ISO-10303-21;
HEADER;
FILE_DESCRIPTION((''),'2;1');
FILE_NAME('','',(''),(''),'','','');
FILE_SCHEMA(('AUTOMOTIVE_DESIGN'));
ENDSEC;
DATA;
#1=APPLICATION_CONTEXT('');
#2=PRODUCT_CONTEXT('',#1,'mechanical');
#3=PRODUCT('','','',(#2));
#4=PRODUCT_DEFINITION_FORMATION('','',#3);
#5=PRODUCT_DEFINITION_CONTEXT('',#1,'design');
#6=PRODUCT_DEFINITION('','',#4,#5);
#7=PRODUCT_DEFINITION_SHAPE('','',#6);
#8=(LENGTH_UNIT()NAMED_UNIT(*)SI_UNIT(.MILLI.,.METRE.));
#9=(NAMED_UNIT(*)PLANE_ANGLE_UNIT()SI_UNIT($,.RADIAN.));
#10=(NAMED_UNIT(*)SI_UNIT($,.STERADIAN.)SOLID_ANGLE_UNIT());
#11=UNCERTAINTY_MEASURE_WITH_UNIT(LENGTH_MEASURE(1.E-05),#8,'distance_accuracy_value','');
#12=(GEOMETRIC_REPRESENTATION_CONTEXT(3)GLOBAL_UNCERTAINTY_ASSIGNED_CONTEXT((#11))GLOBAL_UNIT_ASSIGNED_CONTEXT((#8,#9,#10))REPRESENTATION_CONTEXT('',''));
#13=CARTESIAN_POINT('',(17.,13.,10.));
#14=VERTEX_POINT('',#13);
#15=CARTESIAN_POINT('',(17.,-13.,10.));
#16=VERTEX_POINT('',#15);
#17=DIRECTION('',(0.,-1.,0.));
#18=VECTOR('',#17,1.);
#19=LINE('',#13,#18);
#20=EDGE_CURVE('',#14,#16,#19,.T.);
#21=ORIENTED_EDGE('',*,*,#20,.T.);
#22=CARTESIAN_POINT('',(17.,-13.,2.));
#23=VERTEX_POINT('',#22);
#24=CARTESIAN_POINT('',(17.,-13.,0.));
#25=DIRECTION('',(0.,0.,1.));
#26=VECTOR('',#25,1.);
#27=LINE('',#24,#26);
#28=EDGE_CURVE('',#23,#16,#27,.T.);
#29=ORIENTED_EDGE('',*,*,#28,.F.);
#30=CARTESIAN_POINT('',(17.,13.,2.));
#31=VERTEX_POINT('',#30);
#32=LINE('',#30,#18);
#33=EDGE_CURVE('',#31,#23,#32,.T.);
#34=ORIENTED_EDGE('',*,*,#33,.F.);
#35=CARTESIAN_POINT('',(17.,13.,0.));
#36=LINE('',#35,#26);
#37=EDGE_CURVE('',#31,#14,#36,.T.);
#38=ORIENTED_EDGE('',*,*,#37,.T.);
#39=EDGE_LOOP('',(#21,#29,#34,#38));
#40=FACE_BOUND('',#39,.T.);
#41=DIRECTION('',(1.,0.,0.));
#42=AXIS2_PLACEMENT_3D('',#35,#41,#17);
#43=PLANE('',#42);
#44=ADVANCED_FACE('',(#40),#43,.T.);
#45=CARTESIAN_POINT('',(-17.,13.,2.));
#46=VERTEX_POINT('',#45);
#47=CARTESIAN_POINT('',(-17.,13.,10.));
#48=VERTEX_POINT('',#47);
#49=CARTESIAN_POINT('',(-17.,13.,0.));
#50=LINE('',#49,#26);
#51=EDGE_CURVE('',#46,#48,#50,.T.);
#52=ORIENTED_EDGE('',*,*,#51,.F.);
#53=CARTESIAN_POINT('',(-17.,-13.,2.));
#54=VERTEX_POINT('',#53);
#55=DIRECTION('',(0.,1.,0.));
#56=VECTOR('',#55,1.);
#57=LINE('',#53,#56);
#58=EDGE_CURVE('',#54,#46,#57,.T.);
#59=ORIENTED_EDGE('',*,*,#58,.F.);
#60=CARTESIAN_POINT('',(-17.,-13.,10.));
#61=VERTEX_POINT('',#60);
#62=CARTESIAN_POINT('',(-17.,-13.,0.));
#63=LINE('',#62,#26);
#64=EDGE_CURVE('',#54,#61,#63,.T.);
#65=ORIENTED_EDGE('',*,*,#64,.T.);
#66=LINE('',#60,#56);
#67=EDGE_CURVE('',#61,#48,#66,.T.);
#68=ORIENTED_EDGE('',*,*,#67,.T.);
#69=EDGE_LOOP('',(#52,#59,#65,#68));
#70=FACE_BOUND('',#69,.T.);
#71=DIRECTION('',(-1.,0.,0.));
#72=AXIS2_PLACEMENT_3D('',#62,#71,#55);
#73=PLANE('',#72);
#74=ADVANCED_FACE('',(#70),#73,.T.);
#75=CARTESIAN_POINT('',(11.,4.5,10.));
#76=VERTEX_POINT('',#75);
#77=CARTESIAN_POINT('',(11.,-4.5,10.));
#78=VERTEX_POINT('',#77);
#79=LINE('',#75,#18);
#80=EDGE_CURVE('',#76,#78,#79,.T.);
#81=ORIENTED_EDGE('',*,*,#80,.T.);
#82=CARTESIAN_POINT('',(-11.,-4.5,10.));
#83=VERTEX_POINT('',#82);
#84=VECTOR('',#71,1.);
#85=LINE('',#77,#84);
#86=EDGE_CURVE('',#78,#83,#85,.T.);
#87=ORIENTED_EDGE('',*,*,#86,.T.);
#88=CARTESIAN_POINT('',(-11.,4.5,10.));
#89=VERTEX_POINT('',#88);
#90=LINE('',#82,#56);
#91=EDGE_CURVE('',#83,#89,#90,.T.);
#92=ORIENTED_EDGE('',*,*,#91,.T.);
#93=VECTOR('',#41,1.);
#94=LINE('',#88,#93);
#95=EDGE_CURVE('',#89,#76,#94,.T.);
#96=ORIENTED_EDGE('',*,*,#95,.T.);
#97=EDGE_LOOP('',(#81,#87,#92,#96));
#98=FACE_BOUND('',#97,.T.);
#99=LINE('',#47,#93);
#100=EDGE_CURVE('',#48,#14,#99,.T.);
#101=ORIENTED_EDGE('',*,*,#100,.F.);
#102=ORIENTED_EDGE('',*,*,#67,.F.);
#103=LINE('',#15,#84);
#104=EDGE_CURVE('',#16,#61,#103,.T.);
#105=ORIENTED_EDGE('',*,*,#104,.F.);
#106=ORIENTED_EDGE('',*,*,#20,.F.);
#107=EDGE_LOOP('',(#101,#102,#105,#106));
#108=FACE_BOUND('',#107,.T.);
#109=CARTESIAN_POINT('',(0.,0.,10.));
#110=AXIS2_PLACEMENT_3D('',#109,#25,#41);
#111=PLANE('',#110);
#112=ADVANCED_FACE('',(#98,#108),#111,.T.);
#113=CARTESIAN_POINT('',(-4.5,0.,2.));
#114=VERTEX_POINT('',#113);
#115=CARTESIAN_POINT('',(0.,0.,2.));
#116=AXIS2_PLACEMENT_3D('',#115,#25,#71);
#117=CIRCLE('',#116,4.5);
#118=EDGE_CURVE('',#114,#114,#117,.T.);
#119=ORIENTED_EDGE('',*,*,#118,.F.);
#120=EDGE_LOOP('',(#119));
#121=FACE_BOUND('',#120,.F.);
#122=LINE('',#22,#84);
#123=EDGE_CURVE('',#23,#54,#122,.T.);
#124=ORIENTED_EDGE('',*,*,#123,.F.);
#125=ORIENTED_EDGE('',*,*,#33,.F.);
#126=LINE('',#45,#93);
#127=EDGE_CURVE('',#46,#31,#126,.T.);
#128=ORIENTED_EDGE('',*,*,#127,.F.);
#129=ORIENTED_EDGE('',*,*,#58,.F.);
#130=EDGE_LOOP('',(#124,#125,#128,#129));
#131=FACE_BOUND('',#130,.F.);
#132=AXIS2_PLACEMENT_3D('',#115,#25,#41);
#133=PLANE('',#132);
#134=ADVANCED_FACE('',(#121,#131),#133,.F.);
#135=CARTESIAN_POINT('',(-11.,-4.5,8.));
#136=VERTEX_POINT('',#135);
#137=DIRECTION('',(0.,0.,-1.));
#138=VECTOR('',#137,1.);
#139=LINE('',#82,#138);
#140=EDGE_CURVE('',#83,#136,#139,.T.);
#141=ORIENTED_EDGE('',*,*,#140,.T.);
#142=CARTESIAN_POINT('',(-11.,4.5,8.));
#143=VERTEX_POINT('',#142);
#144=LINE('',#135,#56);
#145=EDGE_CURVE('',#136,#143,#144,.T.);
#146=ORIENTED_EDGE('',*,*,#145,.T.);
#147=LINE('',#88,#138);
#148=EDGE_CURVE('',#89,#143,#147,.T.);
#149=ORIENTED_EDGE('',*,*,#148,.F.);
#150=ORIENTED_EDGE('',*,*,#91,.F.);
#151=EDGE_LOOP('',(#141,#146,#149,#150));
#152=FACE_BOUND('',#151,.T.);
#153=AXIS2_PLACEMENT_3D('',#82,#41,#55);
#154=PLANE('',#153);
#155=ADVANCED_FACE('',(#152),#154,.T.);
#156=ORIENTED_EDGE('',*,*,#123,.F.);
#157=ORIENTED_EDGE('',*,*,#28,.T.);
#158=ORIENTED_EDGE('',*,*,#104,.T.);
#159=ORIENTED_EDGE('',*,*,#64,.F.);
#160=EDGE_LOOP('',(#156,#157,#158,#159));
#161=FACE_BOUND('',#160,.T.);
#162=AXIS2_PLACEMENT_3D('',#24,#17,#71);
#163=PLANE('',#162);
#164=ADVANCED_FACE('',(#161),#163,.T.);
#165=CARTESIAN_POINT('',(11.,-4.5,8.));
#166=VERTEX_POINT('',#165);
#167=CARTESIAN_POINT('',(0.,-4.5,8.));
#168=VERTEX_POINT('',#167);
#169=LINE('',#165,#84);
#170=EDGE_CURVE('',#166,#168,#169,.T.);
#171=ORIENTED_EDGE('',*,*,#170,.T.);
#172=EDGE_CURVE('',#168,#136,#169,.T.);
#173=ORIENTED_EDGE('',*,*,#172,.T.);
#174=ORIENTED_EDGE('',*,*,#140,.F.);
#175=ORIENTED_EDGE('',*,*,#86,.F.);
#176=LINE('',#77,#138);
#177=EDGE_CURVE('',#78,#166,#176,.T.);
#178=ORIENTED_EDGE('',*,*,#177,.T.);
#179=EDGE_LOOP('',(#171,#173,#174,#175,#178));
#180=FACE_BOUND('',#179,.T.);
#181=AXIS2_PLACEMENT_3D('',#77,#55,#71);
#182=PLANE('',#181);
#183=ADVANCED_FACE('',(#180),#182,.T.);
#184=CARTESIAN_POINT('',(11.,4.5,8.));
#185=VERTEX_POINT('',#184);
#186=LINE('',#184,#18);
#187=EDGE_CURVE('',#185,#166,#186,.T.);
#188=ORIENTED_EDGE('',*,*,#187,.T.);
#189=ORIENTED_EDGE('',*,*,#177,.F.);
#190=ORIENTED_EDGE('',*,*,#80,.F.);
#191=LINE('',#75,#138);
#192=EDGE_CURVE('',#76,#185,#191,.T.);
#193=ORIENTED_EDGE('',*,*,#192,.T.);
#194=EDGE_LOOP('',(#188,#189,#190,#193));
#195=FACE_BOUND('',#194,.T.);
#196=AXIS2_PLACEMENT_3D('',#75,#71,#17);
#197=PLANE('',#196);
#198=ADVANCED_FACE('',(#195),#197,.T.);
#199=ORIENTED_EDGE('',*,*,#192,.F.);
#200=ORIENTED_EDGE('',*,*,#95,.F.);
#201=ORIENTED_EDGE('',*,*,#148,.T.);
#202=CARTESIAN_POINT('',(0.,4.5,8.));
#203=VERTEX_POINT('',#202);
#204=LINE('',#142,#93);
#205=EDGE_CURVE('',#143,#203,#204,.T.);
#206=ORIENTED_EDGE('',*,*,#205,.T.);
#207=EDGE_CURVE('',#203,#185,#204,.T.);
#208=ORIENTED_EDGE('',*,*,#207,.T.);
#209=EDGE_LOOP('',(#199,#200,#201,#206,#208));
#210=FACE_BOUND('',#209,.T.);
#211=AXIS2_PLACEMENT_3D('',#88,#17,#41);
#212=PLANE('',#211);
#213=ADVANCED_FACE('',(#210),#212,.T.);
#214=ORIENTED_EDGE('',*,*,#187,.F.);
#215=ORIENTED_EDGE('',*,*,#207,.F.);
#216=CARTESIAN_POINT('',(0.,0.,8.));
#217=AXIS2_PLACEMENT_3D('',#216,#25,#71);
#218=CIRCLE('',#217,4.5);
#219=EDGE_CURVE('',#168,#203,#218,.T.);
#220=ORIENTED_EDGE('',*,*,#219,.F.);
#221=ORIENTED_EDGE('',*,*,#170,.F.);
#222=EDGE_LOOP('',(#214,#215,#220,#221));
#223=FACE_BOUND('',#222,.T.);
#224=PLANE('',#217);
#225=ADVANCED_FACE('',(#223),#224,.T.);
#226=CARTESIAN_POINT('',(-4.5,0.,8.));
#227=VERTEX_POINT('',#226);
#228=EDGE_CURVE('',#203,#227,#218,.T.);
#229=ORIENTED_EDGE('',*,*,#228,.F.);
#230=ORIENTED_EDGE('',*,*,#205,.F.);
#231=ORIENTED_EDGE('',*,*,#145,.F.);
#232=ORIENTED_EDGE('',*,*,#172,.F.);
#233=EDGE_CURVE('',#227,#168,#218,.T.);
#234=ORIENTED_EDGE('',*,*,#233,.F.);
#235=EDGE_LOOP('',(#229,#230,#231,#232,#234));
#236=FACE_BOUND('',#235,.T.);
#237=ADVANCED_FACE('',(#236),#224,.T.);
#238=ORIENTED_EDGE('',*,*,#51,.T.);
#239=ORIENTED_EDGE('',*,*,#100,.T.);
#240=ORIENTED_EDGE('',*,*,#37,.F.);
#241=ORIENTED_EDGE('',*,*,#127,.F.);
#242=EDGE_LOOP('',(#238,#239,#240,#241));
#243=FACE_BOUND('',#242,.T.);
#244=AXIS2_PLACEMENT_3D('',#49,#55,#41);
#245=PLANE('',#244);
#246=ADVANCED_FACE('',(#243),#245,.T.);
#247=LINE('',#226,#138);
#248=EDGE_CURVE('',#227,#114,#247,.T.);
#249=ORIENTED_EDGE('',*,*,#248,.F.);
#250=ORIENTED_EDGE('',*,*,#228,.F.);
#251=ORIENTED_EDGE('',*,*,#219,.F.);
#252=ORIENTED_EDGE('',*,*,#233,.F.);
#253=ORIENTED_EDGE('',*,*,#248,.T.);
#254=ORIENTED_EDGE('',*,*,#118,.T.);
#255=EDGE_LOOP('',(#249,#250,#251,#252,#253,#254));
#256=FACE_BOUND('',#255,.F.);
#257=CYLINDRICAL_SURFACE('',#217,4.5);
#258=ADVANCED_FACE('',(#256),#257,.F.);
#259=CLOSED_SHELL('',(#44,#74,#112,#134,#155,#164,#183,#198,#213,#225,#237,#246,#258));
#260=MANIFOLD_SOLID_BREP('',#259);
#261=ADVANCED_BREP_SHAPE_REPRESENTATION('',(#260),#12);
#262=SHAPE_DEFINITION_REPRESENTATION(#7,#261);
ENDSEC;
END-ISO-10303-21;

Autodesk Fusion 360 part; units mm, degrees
sketch "Sketch1" plane through (0, 0, 0) normal (0, 0, 1) x (1, 0, 0)
  circle A0 centre (0, 0) radius 4.5 construction
  line L0 (-11, 4.5) -> (11, 4.5) construction
  line L1 (11, 4.5) -> (11, -4.5) construction
  line L2 (11, -4.5) -> (-11, -4.5) construction
  line L3 (-11, -4.5) -> (-11, 4.5) construction
  line L4 (-17, 13) -> (17, 13)
  line L5 (17, 13) -> (17, -13)
  line L6 (17, -13) -> (-17, -13)
  line L7 (-17, -13) -> (-17, 13)
  dimension "d1" = 9
  dimension "d2" = 22
  dimension "d3" = 9
  dimension "d4" = 11
  dimension "d5" = 4.5
  dimension "d6" = 34
  dimension "d7" = 26
  dimension "d8" = 13
  dimension "d9" = 17
extrude "Extrude1" add sketch "Sketch1" along normal blind 10
sketch "Sketch2" plane through (0, 0, 10) normal (0, 0, 1) x (-1, 0, 0)
  line L0 (17, 13) -> (-17, 13)
  line L1 (-17, 13) -> (-17, -13)
  line L2 (-17, -13) -> (17, -13)
  line L3 (17, -13) -> (17, 13)
  line L4 (11, -4.5) -> (-11, -4.5)
  line L5 (-11, -4.5) -> (-11, 4.5)
  line L6 (-11, 4.5) -> (11, 4.5)
  line L7 (11, 4.5) -> (11, -4.5)
  dimension "d12" = 22
  dimension "d13" = 9
  dimension "d14" = 11
  dimension "d15" = 4.5
extrude "Extrude2" cut sketch "Sketch2" against normal blind 2 contours L4 L5 L6 L7
extrude "Extrude3" cut 1 faces at (-5.6667, 4.3333, 0) along direction (0, 0, 1) blind 2
sketch "Sketch3" plane through (0, 0, 8) normal (0, 0, 1) x (-1, 0, 0)
  line L0 (11, 4.5) -> (-11, 4.5)
  line L1 (-11, 4.5) -> (-11, -4.5)
  line L2 (-11, -4.5) -> (11, -4.5)
  line L3 (11, -4.5) -> (11, 4.5)
  circle A0 centre (0, 0) radius 4.5
  dimension "d20" = 9
extrude "Extrude4" cut sketch "Sketch3" against normal blind 26 contours A0
